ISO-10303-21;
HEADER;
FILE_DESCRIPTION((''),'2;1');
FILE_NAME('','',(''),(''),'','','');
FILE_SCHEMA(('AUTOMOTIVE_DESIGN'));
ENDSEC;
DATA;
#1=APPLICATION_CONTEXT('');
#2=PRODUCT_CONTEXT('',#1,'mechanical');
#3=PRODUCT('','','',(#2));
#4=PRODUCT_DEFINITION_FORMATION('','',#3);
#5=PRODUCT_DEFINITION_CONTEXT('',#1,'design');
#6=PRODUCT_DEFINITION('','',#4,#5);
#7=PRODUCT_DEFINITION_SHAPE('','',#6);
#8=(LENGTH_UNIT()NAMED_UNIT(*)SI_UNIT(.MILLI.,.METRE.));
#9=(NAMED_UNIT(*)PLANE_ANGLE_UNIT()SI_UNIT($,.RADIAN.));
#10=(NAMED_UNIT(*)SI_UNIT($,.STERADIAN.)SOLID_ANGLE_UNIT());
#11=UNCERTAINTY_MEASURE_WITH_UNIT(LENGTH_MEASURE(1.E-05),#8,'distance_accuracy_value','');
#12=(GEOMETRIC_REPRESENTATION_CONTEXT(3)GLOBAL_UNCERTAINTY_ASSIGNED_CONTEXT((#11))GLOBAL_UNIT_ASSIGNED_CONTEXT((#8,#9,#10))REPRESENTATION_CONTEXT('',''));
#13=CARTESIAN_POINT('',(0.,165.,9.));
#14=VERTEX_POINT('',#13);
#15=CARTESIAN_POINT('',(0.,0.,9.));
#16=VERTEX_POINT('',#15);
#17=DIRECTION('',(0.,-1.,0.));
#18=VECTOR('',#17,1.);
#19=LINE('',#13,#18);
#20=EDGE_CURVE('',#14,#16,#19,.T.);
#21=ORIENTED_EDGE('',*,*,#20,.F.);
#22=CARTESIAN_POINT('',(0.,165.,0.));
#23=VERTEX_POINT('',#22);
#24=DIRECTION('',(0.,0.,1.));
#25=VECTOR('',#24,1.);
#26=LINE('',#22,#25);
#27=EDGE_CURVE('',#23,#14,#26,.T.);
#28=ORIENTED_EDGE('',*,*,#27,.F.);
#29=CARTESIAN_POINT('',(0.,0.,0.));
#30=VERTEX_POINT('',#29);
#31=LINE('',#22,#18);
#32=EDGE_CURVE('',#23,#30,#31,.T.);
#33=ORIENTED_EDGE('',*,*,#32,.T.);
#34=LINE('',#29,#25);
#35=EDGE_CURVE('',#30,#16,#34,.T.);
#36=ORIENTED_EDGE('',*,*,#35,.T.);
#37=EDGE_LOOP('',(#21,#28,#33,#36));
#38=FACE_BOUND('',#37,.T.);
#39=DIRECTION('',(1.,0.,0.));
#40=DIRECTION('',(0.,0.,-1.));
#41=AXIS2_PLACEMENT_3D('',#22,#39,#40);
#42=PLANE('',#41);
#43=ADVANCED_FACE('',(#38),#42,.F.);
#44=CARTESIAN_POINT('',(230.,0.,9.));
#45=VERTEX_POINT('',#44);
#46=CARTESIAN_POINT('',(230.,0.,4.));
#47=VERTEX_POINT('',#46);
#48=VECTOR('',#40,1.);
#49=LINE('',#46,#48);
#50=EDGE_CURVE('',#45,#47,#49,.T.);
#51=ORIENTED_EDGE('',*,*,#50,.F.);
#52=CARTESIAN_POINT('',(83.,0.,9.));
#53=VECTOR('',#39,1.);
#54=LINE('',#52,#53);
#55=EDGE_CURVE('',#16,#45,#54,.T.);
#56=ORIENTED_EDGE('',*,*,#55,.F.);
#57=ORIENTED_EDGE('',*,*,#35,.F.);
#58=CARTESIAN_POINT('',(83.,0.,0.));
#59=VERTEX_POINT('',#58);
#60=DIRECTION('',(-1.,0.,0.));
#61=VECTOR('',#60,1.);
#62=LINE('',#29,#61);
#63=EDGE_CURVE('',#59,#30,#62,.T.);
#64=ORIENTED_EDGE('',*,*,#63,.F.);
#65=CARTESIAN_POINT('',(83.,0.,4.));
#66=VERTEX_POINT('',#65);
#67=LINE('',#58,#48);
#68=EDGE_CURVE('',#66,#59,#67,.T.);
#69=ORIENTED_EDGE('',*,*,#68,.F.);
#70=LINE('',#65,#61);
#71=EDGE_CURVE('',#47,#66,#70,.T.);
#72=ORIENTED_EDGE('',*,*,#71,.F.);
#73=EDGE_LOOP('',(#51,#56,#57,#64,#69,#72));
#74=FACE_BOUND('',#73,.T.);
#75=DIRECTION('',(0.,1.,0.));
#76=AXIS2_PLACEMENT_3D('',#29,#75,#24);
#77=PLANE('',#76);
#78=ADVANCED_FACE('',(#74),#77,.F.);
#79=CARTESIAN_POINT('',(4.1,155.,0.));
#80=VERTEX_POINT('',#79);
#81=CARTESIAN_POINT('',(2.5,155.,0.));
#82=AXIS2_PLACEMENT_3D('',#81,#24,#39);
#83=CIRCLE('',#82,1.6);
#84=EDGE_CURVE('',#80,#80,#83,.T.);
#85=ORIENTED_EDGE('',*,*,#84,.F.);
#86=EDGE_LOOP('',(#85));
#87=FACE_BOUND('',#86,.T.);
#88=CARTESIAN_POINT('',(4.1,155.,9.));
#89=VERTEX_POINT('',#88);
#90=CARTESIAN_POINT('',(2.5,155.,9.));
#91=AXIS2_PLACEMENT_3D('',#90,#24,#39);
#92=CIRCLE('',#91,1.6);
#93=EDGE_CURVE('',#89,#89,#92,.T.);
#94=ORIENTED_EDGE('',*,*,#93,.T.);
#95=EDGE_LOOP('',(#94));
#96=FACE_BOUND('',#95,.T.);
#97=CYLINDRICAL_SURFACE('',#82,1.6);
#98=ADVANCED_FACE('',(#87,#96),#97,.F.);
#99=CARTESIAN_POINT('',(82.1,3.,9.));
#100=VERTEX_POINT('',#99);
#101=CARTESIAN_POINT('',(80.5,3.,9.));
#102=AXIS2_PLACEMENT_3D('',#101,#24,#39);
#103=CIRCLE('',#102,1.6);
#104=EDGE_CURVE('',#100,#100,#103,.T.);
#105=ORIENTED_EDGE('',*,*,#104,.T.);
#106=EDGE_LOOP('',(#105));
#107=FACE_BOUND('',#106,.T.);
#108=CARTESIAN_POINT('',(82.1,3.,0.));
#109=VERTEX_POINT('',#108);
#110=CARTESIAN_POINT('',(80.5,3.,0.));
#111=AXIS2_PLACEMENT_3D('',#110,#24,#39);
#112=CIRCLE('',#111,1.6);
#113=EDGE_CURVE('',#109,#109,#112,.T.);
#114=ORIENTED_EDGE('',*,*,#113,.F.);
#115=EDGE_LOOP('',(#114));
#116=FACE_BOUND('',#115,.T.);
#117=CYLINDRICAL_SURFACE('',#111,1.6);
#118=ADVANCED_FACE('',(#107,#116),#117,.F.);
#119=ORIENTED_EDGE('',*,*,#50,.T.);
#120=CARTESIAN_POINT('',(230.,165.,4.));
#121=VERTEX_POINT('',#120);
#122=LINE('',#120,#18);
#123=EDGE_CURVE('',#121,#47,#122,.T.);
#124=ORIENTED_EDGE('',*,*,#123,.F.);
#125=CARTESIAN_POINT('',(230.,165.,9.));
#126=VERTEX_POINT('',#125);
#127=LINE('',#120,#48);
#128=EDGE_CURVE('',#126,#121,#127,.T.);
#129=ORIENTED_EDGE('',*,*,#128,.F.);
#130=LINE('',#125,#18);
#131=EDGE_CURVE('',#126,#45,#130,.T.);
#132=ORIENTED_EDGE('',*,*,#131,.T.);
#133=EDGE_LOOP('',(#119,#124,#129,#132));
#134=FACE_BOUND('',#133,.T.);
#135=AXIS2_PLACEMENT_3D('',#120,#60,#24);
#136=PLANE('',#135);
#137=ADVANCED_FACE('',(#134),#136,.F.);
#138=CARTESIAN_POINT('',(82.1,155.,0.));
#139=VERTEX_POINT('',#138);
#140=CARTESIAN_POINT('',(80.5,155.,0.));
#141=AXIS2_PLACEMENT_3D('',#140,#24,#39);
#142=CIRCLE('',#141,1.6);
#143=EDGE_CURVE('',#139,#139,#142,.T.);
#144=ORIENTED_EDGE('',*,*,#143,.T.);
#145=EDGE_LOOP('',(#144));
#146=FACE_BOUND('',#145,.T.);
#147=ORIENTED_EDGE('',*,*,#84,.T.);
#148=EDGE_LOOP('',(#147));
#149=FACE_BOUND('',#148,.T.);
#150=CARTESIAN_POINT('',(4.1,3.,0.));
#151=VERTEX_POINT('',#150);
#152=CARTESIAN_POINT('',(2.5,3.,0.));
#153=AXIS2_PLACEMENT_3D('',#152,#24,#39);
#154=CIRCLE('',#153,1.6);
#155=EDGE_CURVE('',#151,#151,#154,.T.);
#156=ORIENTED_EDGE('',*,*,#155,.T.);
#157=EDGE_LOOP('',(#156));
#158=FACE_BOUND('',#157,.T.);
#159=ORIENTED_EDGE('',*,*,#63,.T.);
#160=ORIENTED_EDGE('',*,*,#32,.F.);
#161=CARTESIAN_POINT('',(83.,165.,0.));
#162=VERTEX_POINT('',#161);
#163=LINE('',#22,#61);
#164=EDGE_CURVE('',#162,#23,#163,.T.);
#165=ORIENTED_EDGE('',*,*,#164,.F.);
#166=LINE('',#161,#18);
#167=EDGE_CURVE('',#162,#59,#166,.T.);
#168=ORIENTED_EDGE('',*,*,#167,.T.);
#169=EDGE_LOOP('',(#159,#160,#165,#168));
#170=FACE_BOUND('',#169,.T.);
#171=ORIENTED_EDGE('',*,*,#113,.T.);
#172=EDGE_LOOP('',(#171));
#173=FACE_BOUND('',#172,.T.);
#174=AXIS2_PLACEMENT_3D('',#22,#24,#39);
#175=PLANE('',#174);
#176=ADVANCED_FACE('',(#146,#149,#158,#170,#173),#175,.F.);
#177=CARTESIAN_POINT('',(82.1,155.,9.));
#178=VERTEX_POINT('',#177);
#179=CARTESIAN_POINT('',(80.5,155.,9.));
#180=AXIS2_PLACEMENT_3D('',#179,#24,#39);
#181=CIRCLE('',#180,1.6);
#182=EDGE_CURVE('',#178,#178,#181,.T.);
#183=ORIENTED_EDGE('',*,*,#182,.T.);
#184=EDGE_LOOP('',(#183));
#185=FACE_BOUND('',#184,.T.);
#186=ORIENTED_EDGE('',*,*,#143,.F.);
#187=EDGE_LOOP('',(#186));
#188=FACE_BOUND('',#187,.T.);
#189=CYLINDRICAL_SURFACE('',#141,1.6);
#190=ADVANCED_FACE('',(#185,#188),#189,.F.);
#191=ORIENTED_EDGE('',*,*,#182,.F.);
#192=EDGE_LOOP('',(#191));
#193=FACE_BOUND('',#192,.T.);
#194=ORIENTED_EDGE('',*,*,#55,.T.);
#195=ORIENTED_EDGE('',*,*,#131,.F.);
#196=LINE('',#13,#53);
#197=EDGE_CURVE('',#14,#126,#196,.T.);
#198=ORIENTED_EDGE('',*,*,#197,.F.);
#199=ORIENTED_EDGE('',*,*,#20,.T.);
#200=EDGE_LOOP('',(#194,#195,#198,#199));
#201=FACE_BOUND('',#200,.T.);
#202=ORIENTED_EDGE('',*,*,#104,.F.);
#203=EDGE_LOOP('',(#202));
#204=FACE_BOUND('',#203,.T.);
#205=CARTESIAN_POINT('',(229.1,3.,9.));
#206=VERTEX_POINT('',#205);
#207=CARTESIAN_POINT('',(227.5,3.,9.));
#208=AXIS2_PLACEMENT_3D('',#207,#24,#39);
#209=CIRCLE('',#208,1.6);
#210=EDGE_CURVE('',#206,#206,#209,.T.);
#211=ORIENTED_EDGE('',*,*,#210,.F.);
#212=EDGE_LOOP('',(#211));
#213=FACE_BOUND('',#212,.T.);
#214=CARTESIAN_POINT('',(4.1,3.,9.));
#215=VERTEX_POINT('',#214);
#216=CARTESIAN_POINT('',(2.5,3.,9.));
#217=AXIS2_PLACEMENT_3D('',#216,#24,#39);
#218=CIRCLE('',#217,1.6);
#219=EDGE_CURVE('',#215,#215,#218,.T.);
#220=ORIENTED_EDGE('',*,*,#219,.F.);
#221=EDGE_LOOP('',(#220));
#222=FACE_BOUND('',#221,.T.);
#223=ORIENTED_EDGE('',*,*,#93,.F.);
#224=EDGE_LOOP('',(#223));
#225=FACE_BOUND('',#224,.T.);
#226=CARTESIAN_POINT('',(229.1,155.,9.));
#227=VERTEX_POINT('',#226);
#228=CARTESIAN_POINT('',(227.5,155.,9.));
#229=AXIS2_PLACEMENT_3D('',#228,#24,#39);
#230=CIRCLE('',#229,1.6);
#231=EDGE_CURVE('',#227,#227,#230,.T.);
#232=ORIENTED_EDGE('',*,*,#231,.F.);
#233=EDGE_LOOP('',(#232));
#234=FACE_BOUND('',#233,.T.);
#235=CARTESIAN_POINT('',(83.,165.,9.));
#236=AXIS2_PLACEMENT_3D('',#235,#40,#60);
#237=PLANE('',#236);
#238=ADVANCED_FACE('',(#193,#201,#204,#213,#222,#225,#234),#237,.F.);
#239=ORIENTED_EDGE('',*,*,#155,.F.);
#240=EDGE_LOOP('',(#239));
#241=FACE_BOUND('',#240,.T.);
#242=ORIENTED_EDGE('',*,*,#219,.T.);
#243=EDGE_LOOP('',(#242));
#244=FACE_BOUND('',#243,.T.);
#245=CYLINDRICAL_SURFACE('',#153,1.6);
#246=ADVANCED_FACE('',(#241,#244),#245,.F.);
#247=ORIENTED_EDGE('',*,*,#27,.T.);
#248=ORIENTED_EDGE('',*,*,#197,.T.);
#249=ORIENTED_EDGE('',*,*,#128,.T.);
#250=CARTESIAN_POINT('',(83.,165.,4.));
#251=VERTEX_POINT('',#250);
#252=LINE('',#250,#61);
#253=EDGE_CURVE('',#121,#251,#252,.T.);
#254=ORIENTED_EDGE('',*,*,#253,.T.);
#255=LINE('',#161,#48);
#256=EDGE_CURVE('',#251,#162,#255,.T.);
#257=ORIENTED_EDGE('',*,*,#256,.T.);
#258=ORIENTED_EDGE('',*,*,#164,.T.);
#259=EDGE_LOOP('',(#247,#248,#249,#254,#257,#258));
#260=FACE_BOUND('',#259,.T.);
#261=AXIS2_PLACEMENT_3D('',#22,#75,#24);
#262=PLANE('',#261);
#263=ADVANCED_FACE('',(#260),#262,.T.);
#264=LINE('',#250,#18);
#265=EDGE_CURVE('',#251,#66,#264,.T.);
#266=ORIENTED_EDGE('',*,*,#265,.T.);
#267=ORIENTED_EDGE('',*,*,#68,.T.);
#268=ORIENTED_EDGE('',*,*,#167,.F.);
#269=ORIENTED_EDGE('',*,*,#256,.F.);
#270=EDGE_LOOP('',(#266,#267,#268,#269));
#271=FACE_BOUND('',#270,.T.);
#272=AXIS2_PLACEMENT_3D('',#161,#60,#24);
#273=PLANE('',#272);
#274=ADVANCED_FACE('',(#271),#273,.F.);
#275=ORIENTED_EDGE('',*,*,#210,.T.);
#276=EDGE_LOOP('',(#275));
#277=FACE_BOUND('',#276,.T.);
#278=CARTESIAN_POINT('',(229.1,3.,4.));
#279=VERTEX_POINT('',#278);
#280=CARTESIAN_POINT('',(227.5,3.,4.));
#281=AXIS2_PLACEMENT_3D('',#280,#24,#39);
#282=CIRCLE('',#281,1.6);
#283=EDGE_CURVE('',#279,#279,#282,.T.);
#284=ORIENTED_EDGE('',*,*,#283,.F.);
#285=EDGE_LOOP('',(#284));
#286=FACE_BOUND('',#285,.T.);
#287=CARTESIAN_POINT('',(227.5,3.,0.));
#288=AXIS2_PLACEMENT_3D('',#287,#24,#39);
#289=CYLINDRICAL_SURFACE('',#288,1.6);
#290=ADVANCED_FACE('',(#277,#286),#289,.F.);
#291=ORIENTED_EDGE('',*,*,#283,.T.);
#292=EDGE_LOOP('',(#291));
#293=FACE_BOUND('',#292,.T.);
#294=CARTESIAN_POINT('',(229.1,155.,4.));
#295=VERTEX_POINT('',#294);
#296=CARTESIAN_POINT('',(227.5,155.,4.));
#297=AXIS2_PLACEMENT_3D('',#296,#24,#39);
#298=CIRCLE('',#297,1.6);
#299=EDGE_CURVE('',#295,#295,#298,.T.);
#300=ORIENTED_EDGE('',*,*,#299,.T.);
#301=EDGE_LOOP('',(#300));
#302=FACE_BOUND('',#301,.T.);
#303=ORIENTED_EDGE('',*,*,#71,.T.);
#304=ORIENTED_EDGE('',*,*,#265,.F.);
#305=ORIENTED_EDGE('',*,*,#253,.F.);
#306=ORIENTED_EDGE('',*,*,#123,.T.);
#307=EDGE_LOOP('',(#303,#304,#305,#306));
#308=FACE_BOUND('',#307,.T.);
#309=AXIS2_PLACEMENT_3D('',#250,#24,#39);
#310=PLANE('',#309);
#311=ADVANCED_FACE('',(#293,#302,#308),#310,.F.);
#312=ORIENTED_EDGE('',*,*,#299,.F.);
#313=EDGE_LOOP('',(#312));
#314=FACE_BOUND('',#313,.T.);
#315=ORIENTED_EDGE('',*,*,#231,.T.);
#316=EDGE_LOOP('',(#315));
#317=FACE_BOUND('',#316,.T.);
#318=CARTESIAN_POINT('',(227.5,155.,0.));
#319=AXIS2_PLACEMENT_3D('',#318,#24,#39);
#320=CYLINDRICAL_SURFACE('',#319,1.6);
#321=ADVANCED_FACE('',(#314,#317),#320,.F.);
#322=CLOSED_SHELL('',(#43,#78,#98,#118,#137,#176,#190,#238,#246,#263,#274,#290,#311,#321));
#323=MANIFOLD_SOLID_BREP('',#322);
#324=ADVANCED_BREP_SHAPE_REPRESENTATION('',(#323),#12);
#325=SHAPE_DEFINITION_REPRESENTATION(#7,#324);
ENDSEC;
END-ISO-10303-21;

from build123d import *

# Parameters (mm, degrees)
EXTRUDE_1_DEPTH     = 165
SKETCH_2_R          = 1.6
CUT_EXTRUDE_1_DEPTH = 284.20663834


with BuildPart() as part:
    # 草图1 → 凸台-拉伸1 (new body)
    with BuildSketch(Plane(origin=(0, 0, 0), x_dir=(1, 0, 0), z_dir=(0, 1, 0))):
        Polygon((0, 0), (83, 0), (83, -4), (230, -4), (230, -9), (83, -9), (0, -9), align=None)
    extrude(amount=EXTRUDE_1_DEPTH)

    # 草图2 → 切除-拉伸1 (cut, through all)
    with BuildSketch(Plane.XY.offset(9)):
        with Locations((227.5, 3)):
            Circle(SKETCH_2_R)
        with Locations((227.5, 155)):
            Circle(SKETCH_2_R)
        with Locations((80.5, 155)):
            Circle(SKETCH_2_R)
        with Locations((80.5, 3)):
            Circle(SKETCH_2_R)
        with Locations((2.5, 155)):
            Circle(SKETCH_2_R)
        with Locations((2.5, 3)):
            Circle(SKETCH_2_R)
    extrude(amount=-CUT_EXTRUDE_1_DEPTH, mode=Mode.SUBTRACT)


solid = part.part
